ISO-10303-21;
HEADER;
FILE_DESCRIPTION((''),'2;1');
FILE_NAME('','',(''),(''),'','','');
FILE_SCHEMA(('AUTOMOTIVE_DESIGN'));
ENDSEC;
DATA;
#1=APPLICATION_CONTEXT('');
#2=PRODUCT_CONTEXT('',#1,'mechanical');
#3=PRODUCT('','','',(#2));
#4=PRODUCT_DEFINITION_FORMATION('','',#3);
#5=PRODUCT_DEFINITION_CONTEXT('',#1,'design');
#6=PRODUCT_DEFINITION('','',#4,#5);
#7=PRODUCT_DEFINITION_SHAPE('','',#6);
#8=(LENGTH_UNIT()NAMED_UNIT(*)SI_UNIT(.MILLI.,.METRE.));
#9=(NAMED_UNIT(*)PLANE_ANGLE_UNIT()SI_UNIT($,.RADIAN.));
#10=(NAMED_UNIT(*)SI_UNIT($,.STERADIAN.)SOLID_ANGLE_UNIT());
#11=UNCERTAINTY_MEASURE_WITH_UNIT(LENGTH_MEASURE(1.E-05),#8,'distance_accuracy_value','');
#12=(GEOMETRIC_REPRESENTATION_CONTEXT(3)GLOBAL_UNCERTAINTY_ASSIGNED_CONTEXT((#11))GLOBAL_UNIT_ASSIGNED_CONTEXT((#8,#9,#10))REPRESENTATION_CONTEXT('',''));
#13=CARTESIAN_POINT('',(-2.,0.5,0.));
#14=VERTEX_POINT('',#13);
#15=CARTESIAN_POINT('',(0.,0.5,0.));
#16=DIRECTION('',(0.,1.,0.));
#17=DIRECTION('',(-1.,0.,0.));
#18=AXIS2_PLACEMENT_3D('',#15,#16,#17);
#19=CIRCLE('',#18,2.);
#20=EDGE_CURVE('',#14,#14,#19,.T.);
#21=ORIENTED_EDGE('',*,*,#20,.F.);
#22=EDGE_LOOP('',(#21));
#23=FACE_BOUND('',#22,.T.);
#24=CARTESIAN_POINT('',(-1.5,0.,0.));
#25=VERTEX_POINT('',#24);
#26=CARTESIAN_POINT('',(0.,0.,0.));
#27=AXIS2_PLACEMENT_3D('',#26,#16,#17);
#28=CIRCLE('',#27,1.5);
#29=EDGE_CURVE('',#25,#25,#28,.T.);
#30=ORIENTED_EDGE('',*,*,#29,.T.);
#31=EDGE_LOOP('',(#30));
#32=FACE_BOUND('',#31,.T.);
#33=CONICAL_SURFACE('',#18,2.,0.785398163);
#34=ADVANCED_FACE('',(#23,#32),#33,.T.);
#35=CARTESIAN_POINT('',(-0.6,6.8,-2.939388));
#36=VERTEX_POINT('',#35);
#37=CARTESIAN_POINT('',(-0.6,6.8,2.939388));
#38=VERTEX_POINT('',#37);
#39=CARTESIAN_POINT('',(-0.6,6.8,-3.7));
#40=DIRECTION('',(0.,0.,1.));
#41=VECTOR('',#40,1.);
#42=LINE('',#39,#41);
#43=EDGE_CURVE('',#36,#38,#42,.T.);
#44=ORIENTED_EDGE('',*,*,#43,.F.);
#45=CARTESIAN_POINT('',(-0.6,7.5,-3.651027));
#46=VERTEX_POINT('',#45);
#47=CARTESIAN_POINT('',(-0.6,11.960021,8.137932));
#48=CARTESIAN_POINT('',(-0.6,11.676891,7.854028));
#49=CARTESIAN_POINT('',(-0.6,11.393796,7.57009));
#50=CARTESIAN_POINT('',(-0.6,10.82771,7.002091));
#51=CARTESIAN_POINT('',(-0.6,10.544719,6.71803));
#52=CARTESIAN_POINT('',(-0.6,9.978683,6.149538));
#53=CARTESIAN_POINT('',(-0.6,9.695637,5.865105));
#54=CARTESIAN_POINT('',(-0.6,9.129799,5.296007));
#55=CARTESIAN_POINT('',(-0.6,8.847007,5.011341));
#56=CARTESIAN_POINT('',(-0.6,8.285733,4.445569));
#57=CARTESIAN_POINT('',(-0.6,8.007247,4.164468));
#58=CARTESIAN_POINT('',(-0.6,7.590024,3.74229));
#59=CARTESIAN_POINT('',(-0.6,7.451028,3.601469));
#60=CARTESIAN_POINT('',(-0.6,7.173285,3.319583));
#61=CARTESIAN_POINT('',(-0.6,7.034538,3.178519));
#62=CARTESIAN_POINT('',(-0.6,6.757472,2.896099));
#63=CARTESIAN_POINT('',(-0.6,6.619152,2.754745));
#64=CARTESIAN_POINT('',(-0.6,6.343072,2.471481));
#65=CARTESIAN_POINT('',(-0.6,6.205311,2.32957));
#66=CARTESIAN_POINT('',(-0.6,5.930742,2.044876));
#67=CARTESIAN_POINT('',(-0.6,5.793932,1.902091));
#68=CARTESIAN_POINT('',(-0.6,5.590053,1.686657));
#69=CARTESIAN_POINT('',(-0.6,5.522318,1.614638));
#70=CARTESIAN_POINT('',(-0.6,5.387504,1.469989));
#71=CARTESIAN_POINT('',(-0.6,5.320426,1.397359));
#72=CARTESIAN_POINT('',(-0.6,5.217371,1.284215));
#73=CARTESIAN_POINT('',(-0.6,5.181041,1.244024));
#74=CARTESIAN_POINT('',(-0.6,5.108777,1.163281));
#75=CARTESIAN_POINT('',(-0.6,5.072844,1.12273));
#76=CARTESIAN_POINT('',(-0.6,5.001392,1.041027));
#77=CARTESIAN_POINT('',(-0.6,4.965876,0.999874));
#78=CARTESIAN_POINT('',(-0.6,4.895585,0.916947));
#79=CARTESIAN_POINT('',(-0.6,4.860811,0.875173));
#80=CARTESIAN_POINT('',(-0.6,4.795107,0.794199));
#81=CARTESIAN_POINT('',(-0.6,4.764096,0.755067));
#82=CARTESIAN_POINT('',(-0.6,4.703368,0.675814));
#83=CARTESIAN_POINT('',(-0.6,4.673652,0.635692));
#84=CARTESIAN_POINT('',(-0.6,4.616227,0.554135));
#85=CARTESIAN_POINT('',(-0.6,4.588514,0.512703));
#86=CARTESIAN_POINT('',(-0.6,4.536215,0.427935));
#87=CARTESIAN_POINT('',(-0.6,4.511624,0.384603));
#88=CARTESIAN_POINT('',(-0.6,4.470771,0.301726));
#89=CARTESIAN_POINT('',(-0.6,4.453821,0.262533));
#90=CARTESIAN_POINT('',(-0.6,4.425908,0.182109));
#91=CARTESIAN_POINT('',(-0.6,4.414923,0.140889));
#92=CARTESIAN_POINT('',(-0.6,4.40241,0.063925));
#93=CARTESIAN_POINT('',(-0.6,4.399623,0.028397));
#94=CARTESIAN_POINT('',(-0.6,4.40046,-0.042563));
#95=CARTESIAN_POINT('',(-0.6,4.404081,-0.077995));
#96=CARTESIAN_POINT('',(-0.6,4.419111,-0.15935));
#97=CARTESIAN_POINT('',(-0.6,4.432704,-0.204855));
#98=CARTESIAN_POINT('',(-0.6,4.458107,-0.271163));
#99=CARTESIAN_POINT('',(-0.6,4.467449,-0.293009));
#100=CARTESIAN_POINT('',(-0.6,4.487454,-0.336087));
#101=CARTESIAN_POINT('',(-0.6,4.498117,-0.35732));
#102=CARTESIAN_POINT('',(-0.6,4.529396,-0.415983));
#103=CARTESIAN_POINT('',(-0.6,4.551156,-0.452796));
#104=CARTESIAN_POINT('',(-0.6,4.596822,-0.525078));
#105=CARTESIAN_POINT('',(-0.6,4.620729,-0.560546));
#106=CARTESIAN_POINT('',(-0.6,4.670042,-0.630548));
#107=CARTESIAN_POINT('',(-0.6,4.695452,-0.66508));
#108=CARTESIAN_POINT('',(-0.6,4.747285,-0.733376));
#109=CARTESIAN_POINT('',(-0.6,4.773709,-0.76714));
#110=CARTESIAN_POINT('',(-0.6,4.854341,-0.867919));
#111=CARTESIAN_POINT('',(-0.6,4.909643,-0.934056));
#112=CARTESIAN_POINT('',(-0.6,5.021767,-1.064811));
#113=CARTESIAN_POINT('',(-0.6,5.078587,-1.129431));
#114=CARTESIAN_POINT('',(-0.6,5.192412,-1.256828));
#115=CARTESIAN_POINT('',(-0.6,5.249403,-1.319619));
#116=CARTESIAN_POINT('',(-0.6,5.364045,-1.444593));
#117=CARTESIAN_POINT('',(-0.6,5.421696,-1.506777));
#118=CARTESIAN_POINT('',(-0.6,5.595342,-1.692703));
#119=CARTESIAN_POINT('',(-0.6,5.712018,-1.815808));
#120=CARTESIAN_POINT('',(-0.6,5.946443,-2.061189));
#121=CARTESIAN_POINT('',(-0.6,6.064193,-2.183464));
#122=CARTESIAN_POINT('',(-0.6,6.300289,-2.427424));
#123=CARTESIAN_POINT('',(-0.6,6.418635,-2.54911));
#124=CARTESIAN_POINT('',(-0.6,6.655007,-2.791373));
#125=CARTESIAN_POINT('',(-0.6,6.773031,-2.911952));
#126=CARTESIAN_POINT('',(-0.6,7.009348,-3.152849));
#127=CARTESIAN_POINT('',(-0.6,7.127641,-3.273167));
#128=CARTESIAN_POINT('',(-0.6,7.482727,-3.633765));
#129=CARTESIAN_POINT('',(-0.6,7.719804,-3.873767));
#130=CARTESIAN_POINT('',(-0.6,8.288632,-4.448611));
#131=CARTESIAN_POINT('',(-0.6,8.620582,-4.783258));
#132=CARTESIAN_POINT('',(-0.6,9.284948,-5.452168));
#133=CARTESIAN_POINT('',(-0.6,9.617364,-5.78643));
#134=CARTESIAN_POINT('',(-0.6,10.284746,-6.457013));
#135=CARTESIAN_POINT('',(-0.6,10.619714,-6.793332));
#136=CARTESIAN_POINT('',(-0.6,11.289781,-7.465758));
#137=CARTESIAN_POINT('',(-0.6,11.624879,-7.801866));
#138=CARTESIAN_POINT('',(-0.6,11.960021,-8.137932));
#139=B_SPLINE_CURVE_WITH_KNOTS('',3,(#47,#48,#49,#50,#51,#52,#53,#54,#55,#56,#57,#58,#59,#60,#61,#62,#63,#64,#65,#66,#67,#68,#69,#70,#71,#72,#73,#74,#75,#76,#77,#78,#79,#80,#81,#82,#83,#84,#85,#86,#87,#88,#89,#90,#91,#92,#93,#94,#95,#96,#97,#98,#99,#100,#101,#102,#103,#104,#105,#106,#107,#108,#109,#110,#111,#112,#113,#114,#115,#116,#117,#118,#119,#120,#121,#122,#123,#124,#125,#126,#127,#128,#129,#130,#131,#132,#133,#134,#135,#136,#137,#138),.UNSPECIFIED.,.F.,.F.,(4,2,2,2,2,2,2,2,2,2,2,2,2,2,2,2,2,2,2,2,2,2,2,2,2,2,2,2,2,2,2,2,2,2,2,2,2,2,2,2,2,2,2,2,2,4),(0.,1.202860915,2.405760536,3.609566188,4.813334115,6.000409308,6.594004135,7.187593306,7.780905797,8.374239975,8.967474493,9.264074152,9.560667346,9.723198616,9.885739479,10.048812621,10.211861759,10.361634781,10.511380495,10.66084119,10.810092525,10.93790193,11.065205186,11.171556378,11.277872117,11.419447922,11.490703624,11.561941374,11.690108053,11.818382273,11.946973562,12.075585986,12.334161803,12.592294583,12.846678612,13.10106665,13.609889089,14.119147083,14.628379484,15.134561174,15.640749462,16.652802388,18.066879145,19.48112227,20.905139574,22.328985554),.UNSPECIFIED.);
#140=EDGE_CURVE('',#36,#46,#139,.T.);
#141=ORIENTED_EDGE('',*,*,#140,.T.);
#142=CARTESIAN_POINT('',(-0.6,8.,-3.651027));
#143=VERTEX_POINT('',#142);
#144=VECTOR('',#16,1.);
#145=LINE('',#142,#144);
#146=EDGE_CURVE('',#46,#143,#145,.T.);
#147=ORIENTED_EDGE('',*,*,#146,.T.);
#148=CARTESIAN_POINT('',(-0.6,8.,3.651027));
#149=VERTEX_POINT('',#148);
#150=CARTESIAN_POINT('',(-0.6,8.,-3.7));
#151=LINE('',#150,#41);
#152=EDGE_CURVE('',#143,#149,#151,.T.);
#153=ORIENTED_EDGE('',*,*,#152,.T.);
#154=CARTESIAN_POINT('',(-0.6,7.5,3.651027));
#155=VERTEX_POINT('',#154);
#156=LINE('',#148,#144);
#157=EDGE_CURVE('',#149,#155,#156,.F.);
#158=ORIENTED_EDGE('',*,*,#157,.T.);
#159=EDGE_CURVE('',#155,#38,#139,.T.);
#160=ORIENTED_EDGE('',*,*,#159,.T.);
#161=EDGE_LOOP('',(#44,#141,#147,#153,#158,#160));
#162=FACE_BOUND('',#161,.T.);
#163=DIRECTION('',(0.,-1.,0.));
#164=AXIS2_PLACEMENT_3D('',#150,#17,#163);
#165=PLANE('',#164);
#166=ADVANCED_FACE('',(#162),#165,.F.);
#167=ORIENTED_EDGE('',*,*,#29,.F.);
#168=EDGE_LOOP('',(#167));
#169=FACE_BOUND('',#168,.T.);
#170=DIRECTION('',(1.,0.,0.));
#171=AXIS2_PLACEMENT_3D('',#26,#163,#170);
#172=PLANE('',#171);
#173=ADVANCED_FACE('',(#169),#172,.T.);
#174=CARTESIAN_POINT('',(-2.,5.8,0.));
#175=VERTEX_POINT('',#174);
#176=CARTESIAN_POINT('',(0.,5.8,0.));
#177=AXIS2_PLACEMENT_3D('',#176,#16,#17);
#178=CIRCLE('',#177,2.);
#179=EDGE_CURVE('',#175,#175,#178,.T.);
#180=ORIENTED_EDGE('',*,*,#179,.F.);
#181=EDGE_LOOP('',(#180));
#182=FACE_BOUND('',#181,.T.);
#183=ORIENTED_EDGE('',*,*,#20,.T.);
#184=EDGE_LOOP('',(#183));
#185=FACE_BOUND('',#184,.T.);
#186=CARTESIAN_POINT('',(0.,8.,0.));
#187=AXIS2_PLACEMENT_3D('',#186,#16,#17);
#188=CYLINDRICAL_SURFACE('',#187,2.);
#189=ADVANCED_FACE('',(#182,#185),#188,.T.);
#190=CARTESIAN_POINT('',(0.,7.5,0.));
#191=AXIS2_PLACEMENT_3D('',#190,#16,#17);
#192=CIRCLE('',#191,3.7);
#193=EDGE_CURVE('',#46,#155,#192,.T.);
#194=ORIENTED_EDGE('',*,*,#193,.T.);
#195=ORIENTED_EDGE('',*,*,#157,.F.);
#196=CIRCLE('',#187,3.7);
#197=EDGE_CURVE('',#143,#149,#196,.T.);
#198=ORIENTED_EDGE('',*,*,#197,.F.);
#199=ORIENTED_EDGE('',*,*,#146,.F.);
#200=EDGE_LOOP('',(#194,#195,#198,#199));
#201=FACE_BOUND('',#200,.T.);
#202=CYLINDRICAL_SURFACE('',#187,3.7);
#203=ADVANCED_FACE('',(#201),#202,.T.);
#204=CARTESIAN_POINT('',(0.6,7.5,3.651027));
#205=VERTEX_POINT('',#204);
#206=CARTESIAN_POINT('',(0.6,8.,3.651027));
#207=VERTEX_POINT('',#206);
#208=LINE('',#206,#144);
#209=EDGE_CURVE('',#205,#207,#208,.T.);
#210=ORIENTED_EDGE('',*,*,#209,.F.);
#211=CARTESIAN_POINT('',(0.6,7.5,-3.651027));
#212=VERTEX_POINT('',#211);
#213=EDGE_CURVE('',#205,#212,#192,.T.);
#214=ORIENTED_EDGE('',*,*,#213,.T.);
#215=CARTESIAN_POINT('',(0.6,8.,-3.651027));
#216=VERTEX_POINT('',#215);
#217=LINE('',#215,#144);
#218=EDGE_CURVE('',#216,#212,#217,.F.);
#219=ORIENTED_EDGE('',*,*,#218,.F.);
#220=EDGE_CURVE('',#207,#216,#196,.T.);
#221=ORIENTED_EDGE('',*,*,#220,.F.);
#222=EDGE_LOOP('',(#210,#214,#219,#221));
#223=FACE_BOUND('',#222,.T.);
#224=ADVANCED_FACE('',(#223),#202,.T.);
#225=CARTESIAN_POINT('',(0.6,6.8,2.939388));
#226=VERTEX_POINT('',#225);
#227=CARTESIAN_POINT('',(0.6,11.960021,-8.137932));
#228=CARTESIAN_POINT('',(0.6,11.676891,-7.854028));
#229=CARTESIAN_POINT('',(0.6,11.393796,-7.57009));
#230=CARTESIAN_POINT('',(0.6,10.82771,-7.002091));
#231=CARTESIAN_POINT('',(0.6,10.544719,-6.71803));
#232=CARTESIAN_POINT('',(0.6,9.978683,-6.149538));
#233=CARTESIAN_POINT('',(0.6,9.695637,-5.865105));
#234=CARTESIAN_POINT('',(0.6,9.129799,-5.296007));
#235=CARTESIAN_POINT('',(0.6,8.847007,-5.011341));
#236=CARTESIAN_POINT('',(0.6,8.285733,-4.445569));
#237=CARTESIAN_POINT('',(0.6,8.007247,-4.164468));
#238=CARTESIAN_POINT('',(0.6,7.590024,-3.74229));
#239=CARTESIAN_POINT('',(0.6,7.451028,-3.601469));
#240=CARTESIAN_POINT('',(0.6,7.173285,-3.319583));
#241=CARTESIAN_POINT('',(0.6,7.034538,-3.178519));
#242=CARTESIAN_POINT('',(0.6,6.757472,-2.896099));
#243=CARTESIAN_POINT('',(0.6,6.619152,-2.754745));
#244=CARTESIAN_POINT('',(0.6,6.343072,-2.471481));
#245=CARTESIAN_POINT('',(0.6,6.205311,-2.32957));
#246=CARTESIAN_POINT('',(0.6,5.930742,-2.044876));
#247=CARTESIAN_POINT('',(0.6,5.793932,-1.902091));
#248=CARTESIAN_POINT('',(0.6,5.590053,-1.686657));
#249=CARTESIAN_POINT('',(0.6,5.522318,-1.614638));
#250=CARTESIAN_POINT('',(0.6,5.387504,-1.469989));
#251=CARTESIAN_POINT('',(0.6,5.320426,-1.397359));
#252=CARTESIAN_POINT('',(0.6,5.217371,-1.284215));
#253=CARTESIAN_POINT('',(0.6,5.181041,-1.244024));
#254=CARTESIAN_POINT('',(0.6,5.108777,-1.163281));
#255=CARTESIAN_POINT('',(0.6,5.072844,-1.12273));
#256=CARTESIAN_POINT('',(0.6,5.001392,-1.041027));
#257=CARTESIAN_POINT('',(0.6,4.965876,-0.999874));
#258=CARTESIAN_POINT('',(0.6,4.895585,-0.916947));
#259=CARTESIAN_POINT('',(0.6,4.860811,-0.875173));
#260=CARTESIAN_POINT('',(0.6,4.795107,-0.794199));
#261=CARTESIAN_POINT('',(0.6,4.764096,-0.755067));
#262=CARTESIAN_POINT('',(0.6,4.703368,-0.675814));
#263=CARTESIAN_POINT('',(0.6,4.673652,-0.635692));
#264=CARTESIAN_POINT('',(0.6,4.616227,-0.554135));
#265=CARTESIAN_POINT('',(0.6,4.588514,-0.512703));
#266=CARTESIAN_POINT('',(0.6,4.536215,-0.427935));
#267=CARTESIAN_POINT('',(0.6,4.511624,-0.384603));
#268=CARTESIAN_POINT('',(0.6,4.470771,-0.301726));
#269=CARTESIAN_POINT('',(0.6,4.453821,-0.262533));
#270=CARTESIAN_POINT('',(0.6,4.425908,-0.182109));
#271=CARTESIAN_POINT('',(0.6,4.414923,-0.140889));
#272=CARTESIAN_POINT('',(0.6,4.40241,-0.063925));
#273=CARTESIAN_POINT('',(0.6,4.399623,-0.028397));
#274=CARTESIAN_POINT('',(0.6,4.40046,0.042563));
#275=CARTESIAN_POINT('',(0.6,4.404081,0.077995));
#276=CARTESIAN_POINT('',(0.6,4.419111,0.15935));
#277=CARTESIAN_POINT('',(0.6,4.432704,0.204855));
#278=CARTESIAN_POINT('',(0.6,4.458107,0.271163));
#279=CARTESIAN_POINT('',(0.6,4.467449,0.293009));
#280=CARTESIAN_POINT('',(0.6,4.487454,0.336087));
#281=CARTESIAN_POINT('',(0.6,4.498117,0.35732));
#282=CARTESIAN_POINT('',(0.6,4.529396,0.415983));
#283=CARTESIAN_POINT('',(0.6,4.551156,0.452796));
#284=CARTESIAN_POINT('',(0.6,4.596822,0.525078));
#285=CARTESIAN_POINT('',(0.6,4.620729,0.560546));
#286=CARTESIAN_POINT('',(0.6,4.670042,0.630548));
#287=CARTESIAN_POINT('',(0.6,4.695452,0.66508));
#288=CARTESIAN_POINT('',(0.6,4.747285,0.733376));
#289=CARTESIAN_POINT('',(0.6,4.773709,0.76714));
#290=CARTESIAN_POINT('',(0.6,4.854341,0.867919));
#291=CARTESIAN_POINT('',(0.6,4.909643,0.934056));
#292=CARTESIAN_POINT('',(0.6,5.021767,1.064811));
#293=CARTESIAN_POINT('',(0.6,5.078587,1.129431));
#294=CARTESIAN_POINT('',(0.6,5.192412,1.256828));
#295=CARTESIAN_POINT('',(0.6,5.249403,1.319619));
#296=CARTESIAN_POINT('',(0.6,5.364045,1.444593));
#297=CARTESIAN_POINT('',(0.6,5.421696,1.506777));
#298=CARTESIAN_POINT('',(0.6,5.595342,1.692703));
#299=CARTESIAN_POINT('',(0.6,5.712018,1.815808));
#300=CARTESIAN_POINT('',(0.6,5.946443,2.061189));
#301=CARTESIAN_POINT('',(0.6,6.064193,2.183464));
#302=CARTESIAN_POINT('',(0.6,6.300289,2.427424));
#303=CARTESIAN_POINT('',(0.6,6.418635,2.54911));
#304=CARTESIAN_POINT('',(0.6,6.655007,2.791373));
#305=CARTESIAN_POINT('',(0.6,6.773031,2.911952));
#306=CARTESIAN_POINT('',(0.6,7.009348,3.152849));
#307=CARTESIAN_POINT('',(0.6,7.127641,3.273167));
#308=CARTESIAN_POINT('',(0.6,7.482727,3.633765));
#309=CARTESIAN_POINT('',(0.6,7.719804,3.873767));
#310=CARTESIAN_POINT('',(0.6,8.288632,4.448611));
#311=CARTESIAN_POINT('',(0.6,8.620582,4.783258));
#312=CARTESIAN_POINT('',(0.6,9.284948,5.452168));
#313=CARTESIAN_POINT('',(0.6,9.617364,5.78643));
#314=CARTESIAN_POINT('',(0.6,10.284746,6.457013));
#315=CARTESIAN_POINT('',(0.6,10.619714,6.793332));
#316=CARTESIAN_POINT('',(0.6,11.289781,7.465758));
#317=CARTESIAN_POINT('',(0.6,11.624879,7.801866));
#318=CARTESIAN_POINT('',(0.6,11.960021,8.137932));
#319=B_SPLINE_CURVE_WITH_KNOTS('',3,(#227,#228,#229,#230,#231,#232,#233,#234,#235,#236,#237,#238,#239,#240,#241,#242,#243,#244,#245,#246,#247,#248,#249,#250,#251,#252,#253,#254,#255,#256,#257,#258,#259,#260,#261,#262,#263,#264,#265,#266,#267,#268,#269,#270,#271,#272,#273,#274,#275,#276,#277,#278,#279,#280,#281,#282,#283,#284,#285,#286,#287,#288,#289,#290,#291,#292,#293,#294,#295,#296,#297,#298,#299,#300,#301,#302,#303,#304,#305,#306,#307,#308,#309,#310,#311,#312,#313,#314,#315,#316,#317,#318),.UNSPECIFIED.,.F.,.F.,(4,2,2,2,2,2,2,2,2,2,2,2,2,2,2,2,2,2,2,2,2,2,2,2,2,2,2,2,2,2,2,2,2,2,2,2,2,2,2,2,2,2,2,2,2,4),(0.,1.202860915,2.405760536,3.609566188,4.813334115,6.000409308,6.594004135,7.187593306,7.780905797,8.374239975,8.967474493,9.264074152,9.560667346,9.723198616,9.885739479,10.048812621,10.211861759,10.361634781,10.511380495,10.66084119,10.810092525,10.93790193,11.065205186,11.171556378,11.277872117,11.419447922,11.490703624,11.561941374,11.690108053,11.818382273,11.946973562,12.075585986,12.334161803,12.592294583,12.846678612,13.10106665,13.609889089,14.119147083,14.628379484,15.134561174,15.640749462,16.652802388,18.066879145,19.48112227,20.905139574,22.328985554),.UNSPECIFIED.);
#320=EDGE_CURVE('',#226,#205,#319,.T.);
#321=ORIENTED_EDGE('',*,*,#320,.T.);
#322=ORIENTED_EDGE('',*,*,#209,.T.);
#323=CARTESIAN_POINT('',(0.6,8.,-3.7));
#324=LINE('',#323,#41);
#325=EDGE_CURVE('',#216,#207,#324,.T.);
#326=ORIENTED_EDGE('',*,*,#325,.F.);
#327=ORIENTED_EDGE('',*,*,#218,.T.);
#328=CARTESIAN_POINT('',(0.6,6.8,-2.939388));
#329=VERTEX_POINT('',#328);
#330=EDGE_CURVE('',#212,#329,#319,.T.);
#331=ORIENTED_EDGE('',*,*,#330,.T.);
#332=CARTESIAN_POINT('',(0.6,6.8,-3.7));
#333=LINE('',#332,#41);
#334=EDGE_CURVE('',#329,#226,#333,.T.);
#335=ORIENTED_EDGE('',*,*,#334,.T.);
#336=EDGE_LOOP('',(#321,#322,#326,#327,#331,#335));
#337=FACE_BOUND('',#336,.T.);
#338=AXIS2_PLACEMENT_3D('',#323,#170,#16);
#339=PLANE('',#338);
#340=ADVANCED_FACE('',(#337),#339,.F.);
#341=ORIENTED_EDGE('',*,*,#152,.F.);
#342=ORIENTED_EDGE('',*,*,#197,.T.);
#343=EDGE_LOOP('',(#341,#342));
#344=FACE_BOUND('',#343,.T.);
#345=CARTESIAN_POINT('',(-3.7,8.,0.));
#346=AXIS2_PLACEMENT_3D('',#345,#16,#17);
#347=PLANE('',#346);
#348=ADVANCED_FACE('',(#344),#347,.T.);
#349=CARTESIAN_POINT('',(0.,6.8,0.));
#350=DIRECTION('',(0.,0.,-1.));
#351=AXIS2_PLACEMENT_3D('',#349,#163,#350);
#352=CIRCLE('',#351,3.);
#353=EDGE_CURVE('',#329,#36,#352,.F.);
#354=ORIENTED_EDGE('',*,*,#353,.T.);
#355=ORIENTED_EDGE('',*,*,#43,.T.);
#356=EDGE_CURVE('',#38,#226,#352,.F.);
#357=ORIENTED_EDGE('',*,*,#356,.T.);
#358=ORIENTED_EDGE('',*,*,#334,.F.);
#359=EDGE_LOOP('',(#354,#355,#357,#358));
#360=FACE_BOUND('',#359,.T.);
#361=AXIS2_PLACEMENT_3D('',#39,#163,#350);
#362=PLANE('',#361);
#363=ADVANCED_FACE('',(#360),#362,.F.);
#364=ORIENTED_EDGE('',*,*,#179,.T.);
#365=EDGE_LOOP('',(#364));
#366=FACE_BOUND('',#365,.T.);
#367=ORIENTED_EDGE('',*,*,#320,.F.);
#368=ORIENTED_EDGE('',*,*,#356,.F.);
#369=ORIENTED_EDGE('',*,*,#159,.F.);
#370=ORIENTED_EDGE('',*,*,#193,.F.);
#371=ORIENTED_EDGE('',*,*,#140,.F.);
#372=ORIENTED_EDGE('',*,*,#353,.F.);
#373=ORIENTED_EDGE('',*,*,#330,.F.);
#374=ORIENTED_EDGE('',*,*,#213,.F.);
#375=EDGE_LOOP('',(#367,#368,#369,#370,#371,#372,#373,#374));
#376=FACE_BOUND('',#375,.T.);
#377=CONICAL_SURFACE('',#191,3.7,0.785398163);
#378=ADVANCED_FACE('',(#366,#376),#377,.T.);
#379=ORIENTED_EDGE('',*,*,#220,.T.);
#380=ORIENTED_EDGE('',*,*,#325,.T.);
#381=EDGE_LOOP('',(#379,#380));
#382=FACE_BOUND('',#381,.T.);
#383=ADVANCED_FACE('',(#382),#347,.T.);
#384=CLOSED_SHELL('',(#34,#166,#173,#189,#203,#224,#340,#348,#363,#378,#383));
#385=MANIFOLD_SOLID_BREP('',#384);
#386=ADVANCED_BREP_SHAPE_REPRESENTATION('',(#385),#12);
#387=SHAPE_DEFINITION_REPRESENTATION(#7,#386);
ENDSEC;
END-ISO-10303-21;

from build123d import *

# Parameters (mm, degrees)
CUT_EXTRUDE_1_DEPTH      = 10.559288676
CUT_EXTRUDE_1_DEPTH_BACK = 10.559288676
SKETCH_2_W               = 1.2
SKETCH_2_H               = 1.2


with BuildPart() as part:
    # Эскиз1 → Повернуть1 (revolve)
    with BuildSketch(Plane.XY):
        Polygon((0, 0), (-1.5, 0), (-2, 0.5), (-2, 5.8), (-3.7, 7.5), (-3.7, 8), (0, 8), align=None)
    revolve(axis=Axis((0, 8, 0), (0, -1, 0)))

    # Эскиз2 → Вырез-Вытянуть1 (cut, two sides: drawn at the far end of the back side and taken through both)
    with BuildSketch(Plane.XY.offset(-CUT_EXTRUDE_1_DEPTH_BACK)):
        with Locations((0, 7.4)):
            Rectangle(SKETCH_2_W, SKETCH_2_H)
    extrude(amount=CUT_EXTRUDE_1_DEPTH + CUT_EXTRUDE_1_DEPTH_BACK, mode=Mode.SUBTRACT)


solid = part.part
